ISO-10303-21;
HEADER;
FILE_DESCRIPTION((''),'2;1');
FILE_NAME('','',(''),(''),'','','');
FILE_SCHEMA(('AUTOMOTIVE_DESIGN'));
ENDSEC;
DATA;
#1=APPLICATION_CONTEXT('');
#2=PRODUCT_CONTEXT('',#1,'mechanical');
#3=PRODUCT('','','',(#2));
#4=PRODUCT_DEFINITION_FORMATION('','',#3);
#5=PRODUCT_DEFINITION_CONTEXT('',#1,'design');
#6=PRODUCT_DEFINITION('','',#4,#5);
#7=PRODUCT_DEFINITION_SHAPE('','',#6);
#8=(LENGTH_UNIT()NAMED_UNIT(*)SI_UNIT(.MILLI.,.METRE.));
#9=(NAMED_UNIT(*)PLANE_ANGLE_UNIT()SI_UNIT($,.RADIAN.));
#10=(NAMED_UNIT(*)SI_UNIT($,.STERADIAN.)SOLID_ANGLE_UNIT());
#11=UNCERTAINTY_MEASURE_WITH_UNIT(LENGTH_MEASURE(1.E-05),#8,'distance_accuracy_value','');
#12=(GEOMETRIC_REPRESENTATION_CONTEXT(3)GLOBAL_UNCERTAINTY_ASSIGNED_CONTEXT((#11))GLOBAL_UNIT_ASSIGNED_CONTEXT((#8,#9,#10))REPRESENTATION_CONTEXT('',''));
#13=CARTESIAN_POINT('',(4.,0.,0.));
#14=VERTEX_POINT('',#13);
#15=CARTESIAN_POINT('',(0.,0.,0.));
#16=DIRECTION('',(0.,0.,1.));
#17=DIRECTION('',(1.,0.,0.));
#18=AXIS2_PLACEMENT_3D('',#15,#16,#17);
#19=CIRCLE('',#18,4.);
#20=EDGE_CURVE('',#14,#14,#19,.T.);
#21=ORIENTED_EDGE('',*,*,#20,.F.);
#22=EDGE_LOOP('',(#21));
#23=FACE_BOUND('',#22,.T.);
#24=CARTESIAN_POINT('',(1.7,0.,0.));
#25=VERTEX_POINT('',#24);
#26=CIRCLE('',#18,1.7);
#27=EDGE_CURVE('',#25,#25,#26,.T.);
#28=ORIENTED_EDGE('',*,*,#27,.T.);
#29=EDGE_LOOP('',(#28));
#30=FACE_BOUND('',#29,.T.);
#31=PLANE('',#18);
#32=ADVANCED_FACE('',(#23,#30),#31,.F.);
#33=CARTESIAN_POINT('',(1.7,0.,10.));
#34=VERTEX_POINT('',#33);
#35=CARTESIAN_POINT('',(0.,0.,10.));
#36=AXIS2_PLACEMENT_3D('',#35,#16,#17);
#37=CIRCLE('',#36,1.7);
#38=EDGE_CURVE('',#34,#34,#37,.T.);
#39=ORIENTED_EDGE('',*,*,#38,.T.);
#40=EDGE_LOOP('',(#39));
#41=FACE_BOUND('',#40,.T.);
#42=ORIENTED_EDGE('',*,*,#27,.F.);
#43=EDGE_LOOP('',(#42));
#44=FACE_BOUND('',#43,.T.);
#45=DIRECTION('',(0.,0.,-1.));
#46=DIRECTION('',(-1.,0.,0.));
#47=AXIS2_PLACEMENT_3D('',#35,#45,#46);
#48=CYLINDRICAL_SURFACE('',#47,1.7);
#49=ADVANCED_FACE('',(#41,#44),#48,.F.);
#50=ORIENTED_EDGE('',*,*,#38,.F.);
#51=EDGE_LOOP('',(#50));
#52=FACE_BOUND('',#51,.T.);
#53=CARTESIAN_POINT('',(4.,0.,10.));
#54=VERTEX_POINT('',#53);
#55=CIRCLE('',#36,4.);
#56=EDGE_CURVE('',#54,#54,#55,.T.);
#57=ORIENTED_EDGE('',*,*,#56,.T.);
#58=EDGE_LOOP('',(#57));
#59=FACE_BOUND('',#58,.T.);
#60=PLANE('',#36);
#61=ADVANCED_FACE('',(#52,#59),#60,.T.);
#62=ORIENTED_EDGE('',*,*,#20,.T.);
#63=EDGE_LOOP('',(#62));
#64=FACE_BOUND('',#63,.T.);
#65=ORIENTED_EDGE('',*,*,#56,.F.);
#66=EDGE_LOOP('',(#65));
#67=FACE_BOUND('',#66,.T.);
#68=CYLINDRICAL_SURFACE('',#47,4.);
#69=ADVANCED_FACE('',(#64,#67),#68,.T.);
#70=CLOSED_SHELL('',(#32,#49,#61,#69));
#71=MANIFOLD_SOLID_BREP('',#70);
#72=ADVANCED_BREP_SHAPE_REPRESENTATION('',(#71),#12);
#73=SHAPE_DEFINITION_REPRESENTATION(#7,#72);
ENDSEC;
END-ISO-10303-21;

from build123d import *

# Parameters (mm, degrees)
SKETCH_1_R      = 4
SKETCH_1_R_2    = 1.7
EXTRUDE_1_DEPTH = 10


with BuildPart() as part:
    # 草图1 → 凸台-拉伸1 (new body)
    with BuildSketch(Plane.XY):
        Circle(SKETCH_1_R)
        Circle(SKETCH_1_R_2, mode=Mode.SUBTRACT)
    extrude(amount=EXTRUDE_1_DEPTH)


solid = part.part
